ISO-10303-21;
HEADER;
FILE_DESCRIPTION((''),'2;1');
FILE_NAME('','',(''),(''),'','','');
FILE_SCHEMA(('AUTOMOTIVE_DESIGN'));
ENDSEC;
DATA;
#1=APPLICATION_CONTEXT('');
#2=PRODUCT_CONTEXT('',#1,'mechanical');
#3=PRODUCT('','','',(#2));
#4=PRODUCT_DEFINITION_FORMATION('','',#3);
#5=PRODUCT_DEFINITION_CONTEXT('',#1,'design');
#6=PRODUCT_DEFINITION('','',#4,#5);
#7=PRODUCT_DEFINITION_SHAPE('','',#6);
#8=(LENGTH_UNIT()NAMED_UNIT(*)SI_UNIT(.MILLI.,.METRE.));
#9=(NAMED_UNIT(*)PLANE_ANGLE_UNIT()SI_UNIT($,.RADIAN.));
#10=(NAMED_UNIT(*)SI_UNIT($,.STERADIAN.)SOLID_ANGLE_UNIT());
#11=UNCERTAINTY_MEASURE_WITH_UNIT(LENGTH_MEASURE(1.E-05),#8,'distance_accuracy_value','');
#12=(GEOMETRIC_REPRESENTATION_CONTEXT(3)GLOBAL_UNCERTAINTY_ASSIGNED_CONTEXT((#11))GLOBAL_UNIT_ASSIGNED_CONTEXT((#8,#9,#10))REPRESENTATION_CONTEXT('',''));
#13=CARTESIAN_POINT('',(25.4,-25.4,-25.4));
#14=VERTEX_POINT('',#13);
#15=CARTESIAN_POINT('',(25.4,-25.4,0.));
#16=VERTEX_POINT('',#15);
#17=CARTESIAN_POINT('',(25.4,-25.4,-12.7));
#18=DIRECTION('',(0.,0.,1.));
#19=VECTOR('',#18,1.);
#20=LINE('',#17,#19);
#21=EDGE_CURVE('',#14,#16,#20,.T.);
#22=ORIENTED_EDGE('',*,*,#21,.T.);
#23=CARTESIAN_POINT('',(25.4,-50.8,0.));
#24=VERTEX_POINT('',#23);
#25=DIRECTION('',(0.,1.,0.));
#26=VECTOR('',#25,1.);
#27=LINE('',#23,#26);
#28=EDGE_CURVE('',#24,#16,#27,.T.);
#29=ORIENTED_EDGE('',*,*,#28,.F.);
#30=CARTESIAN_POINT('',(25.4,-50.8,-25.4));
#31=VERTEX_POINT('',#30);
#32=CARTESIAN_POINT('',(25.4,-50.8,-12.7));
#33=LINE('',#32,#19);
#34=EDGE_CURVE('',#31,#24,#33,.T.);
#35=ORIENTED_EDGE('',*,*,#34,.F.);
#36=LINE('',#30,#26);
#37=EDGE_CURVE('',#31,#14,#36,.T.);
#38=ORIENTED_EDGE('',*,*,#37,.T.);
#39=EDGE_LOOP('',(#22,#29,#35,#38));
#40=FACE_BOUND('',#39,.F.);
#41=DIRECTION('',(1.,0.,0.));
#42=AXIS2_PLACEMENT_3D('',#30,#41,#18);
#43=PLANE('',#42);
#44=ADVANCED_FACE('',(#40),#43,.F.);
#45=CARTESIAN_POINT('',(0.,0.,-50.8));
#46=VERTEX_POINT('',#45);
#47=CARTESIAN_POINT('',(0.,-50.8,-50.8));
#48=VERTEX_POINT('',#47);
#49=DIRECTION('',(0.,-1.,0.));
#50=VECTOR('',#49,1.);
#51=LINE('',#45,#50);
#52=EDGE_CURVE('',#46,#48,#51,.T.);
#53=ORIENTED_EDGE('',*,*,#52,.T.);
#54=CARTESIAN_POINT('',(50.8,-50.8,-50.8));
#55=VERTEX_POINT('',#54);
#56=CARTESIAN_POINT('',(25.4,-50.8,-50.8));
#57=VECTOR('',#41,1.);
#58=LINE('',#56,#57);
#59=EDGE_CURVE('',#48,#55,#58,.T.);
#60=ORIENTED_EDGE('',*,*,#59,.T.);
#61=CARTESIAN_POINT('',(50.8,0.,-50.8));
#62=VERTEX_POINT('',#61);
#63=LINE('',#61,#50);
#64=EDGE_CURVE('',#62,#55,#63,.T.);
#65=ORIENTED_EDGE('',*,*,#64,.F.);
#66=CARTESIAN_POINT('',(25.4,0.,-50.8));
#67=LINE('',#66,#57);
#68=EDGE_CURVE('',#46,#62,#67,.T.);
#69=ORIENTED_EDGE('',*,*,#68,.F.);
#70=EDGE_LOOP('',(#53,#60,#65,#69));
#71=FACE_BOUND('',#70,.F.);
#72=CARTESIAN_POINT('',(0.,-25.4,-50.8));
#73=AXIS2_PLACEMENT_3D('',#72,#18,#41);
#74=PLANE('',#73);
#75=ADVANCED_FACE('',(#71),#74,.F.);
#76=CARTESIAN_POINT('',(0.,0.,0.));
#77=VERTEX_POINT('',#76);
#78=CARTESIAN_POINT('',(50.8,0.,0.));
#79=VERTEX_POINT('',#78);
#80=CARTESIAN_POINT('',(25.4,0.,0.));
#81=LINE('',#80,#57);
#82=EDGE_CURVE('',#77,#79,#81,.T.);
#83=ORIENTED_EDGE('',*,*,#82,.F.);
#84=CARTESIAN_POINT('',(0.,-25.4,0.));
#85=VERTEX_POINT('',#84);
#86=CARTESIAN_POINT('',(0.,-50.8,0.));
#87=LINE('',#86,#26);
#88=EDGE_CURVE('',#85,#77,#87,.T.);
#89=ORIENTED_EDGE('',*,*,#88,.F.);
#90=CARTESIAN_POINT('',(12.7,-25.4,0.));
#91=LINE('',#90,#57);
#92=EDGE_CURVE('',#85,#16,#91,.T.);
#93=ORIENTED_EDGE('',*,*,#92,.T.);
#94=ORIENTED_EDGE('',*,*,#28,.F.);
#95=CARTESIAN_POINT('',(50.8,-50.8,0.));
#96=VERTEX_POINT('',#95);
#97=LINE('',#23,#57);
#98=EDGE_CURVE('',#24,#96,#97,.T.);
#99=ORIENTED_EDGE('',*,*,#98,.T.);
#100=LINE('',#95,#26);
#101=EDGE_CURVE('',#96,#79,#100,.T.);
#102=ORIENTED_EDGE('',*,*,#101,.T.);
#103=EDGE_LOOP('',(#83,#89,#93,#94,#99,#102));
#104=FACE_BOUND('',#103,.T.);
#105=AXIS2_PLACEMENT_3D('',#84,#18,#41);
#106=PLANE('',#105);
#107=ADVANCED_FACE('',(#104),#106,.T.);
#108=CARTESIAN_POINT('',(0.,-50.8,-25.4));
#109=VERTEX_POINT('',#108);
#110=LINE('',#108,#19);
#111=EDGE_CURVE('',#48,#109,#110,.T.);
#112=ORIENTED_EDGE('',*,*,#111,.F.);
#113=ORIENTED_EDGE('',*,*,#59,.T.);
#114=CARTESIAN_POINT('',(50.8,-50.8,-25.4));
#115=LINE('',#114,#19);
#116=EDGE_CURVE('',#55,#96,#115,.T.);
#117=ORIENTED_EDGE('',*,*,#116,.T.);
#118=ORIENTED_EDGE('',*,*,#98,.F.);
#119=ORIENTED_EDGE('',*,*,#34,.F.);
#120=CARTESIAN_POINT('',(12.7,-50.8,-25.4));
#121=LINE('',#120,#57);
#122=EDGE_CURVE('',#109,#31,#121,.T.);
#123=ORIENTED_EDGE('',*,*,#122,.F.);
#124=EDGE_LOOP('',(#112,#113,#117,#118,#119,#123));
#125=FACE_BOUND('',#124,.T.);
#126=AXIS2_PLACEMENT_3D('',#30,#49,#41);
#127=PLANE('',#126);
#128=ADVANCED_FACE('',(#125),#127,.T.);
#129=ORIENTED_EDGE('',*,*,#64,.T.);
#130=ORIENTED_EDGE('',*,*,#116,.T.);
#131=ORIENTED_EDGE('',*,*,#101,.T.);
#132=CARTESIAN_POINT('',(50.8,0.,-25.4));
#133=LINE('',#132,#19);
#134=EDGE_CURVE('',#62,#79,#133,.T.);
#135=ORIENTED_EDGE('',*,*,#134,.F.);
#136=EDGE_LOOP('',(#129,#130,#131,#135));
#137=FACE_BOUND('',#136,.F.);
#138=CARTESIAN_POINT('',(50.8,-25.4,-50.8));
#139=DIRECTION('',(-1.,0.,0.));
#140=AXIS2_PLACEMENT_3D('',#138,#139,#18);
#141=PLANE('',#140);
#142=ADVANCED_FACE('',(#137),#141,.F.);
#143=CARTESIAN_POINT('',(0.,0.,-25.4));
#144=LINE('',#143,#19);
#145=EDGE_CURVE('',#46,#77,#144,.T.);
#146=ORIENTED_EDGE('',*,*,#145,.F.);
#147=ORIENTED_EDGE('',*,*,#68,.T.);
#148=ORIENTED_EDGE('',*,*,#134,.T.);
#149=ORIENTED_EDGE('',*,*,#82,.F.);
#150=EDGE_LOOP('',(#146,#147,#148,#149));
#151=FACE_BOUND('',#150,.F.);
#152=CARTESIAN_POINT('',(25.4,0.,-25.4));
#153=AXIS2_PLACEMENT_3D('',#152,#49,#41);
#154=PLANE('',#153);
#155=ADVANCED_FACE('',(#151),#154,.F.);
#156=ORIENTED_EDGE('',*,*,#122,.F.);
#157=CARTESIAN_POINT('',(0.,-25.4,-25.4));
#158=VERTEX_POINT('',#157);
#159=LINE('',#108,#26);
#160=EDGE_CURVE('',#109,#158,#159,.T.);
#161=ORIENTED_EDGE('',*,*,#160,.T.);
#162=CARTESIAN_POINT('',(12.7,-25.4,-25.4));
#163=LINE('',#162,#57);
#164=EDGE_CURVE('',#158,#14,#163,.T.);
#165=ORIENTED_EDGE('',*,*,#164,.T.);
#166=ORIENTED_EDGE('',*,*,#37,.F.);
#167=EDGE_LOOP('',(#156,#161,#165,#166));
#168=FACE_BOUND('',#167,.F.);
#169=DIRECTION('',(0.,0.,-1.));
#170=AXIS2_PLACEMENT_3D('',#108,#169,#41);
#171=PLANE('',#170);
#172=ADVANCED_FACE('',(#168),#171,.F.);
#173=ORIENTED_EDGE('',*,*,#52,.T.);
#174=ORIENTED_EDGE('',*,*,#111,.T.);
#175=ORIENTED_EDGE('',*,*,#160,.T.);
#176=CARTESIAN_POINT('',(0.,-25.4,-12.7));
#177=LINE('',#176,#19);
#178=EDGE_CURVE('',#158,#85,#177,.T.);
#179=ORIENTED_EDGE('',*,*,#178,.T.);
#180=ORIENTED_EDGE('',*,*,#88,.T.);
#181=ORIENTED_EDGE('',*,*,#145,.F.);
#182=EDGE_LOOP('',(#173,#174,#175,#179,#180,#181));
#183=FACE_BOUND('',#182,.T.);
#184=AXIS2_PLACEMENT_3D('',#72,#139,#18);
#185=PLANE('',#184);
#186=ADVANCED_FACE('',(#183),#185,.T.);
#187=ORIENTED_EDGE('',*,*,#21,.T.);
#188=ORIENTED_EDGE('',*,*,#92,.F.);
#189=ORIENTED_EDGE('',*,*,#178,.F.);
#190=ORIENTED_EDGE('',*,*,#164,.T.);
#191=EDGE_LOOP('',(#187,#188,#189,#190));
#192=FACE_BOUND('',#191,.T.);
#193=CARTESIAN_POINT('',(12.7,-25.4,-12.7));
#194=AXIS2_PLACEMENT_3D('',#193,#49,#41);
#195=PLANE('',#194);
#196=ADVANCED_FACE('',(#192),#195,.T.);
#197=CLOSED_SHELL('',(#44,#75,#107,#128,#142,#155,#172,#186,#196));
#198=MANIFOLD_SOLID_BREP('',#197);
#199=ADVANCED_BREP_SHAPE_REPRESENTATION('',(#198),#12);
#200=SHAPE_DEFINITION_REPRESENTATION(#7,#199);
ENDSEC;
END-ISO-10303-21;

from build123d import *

# Parameters (mm, degrees)
F0_W      = 50.8
F0_H      = 50.8
F1_DEPTH  = 25.4
F1_FACE_W = 50.8
F1_FACE_H = 50.8
F2_DEPTH  = 25.4
F3_W      = 25.4
F3_H      = 25.4
F4_DEPTH  = 25.4


with BuildPart() as f1:
    # F0 (on Front) → F1 (new body)
    with BuildSketch(Plane.XZ):
        with Locations((25.4, -25.4)):
            Rectangle(F0_W, F0_H)
    extrude(amount=F1_DEPTH)

    # F1_face (on face) → F2 (join)
    with BuildSketch(Plane(origin=(25.4, -25.4, -25.4), x_dir=(1, 0, 0), z_dir=(0, -1, 0))):
        Rectangle(F1_FACE_W, F1_FACE_H)
    extrude(amount=F2_DEPTH)

    # F3 (on face) → F4 (cut)
    with BuildSketch(Plane.XZ.offset(50.8)):
        with Locations((12.7, -12.7)):
            Rectangle(F3_W, F3_H)
    extrude(amount=-F4_DEPTH, mode=Mode.SUBTRACT)


solid = f1.part
